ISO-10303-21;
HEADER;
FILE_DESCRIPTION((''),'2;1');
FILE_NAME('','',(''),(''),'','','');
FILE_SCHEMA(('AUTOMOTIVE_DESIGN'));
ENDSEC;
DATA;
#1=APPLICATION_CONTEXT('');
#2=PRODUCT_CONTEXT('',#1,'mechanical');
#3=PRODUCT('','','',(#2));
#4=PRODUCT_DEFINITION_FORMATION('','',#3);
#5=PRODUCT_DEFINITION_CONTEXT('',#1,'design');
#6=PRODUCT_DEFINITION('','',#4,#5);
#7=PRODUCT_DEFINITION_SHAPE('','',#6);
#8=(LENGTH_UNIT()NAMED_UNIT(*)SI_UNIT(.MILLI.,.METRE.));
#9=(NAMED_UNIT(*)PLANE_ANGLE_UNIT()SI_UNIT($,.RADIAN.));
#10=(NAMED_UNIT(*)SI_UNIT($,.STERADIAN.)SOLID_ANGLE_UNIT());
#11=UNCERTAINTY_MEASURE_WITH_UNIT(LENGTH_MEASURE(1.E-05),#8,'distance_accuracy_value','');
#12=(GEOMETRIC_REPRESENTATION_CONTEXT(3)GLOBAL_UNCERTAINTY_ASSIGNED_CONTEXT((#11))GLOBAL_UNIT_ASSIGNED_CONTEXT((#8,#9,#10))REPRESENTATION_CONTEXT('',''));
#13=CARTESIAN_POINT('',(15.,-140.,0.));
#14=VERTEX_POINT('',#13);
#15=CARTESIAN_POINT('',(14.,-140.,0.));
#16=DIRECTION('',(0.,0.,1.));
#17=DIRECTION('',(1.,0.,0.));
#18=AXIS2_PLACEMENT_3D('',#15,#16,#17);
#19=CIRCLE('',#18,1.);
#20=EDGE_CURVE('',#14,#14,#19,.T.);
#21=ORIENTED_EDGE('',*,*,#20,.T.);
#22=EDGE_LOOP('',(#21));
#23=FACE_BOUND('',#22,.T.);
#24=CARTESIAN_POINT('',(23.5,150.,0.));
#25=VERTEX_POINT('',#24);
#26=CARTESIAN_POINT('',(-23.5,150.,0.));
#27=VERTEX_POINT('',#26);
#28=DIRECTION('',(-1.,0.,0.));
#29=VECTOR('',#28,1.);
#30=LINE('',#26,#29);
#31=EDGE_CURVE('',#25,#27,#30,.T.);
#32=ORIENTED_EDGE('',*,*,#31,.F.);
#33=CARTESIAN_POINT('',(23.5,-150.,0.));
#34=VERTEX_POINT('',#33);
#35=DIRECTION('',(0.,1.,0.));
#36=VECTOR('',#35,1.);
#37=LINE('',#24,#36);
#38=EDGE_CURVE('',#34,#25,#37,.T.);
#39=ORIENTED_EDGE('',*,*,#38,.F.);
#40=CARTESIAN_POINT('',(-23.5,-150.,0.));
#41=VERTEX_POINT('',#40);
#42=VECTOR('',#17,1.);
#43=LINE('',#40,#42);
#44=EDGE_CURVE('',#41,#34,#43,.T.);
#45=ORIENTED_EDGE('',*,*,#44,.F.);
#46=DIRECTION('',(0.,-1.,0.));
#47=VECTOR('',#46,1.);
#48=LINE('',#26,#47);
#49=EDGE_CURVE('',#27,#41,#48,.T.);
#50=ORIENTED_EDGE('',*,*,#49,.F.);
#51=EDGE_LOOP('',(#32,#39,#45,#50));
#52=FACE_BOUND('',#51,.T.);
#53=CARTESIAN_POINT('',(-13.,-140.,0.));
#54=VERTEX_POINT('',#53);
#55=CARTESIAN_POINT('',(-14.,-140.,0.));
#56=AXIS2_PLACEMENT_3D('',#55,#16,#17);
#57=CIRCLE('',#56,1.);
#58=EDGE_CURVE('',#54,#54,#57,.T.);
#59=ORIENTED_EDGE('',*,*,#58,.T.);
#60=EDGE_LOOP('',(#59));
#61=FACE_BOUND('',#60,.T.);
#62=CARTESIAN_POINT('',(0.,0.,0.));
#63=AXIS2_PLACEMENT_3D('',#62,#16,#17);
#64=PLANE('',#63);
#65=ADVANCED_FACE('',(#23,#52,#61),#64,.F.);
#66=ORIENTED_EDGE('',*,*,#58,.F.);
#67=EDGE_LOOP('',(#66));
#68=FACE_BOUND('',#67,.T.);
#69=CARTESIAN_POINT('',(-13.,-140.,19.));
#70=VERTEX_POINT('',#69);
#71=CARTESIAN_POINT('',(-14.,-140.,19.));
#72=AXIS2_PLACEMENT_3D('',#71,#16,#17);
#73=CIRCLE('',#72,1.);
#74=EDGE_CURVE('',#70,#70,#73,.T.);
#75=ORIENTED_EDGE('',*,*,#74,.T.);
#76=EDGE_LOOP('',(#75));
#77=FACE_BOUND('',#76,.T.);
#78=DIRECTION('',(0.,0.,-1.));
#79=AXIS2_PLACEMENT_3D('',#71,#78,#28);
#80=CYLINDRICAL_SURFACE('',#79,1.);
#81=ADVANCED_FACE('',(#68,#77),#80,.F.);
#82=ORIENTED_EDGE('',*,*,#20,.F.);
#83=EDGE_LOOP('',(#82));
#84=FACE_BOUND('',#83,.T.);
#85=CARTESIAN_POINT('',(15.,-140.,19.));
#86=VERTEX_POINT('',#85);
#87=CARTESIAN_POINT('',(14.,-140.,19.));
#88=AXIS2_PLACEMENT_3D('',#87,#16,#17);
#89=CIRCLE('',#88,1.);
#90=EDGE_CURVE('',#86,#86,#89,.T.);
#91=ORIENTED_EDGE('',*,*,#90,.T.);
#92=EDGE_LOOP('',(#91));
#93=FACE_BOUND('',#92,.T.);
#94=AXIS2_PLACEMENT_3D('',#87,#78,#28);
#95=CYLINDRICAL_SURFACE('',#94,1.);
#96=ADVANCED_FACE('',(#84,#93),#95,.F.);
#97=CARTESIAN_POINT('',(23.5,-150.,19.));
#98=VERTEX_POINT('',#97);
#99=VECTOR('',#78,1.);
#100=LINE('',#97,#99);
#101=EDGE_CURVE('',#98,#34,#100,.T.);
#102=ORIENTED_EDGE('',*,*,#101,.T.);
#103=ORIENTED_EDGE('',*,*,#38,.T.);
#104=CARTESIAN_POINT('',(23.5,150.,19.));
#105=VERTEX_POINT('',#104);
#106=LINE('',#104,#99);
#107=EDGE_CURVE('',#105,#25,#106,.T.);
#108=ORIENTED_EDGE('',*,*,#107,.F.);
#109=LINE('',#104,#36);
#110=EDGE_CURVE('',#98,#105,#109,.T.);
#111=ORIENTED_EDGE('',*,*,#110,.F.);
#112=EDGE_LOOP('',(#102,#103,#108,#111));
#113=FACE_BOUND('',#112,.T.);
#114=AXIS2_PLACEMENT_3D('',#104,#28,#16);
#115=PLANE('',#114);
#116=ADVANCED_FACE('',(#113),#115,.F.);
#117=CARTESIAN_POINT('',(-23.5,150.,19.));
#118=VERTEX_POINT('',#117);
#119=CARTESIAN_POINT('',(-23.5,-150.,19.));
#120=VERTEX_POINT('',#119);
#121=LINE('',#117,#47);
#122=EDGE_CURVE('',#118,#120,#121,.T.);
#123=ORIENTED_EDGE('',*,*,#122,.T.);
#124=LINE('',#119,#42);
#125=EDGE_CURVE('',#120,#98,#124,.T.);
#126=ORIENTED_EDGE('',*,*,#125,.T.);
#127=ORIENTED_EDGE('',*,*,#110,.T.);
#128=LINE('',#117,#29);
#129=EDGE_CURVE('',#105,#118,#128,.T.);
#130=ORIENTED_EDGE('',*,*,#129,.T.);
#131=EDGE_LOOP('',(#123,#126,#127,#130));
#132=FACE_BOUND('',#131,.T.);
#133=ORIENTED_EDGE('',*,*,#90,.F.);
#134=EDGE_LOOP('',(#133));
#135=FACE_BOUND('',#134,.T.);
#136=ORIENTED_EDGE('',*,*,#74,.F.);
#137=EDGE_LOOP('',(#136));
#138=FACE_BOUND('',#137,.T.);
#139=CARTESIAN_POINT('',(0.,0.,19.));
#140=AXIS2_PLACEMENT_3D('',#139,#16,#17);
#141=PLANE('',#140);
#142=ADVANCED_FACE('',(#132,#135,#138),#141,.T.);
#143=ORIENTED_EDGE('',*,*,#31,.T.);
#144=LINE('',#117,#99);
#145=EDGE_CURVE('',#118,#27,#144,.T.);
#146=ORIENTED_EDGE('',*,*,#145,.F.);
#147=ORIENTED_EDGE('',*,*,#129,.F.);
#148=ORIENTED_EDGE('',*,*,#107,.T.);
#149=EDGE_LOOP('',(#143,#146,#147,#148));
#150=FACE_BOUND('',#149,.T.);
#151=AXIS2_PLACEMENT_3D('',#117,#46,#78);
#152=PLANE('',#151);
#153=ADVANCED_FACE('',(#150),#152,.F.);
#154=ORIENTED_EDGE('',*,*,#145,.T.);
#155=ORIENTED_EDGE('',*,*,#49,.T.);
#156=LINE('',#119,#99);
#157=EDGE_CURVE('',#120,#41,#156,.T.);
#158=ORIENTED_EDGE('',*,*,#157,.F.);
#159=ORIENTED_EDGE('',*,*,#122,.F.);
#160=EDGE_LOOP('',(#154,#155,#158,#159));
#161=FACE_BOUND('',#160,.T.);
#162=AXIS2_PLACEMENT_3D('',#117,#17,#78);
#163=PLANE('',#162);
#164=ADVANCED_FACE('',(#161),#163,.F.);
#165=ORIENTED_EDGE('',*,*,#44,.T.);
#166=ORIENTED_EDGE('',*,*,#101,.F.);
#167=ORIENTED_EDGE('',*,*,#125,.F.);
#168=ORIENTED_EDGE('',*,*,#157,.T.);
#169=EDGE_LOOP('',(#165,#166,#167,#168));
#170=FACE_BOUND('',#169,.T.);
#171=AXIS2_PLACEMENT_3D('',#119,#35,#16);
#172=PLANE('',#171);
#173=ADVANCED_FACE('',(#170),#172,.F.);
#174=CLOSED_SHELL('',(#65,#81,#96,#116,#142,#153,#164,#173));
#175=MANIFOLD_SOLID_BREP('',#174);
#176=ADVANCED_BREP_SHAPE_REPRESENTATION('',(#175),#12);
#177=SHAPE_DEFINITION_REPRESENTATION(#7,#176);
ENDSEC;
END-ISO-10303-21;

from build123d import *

# Parameters (mm, degrees)
SKETCH1_W           = 47
SKETCH1_H           = 300
SKETCH1_R           = 1
BOSS_EXTRUDE1_DEPTH = 19


with BuildPart() as part:
    # Sketch1 → Boss-Extrude1 (new body)
    with BuildSketch(Plane.XY):
        Rectangle(SKETCH1_W, SKETCH1_H)
        with Locations((-14, -140)):
            Circle(SKETCH1_R, mode=Mode.SUBTRACT)
        with Locations((14, -140)):
            Circle(SKETCH1_R, mode=Mode.SUBTRACT)
    extrude(amount=BOSS_EXTRUDE1_DEPTH)


solid = part.part
